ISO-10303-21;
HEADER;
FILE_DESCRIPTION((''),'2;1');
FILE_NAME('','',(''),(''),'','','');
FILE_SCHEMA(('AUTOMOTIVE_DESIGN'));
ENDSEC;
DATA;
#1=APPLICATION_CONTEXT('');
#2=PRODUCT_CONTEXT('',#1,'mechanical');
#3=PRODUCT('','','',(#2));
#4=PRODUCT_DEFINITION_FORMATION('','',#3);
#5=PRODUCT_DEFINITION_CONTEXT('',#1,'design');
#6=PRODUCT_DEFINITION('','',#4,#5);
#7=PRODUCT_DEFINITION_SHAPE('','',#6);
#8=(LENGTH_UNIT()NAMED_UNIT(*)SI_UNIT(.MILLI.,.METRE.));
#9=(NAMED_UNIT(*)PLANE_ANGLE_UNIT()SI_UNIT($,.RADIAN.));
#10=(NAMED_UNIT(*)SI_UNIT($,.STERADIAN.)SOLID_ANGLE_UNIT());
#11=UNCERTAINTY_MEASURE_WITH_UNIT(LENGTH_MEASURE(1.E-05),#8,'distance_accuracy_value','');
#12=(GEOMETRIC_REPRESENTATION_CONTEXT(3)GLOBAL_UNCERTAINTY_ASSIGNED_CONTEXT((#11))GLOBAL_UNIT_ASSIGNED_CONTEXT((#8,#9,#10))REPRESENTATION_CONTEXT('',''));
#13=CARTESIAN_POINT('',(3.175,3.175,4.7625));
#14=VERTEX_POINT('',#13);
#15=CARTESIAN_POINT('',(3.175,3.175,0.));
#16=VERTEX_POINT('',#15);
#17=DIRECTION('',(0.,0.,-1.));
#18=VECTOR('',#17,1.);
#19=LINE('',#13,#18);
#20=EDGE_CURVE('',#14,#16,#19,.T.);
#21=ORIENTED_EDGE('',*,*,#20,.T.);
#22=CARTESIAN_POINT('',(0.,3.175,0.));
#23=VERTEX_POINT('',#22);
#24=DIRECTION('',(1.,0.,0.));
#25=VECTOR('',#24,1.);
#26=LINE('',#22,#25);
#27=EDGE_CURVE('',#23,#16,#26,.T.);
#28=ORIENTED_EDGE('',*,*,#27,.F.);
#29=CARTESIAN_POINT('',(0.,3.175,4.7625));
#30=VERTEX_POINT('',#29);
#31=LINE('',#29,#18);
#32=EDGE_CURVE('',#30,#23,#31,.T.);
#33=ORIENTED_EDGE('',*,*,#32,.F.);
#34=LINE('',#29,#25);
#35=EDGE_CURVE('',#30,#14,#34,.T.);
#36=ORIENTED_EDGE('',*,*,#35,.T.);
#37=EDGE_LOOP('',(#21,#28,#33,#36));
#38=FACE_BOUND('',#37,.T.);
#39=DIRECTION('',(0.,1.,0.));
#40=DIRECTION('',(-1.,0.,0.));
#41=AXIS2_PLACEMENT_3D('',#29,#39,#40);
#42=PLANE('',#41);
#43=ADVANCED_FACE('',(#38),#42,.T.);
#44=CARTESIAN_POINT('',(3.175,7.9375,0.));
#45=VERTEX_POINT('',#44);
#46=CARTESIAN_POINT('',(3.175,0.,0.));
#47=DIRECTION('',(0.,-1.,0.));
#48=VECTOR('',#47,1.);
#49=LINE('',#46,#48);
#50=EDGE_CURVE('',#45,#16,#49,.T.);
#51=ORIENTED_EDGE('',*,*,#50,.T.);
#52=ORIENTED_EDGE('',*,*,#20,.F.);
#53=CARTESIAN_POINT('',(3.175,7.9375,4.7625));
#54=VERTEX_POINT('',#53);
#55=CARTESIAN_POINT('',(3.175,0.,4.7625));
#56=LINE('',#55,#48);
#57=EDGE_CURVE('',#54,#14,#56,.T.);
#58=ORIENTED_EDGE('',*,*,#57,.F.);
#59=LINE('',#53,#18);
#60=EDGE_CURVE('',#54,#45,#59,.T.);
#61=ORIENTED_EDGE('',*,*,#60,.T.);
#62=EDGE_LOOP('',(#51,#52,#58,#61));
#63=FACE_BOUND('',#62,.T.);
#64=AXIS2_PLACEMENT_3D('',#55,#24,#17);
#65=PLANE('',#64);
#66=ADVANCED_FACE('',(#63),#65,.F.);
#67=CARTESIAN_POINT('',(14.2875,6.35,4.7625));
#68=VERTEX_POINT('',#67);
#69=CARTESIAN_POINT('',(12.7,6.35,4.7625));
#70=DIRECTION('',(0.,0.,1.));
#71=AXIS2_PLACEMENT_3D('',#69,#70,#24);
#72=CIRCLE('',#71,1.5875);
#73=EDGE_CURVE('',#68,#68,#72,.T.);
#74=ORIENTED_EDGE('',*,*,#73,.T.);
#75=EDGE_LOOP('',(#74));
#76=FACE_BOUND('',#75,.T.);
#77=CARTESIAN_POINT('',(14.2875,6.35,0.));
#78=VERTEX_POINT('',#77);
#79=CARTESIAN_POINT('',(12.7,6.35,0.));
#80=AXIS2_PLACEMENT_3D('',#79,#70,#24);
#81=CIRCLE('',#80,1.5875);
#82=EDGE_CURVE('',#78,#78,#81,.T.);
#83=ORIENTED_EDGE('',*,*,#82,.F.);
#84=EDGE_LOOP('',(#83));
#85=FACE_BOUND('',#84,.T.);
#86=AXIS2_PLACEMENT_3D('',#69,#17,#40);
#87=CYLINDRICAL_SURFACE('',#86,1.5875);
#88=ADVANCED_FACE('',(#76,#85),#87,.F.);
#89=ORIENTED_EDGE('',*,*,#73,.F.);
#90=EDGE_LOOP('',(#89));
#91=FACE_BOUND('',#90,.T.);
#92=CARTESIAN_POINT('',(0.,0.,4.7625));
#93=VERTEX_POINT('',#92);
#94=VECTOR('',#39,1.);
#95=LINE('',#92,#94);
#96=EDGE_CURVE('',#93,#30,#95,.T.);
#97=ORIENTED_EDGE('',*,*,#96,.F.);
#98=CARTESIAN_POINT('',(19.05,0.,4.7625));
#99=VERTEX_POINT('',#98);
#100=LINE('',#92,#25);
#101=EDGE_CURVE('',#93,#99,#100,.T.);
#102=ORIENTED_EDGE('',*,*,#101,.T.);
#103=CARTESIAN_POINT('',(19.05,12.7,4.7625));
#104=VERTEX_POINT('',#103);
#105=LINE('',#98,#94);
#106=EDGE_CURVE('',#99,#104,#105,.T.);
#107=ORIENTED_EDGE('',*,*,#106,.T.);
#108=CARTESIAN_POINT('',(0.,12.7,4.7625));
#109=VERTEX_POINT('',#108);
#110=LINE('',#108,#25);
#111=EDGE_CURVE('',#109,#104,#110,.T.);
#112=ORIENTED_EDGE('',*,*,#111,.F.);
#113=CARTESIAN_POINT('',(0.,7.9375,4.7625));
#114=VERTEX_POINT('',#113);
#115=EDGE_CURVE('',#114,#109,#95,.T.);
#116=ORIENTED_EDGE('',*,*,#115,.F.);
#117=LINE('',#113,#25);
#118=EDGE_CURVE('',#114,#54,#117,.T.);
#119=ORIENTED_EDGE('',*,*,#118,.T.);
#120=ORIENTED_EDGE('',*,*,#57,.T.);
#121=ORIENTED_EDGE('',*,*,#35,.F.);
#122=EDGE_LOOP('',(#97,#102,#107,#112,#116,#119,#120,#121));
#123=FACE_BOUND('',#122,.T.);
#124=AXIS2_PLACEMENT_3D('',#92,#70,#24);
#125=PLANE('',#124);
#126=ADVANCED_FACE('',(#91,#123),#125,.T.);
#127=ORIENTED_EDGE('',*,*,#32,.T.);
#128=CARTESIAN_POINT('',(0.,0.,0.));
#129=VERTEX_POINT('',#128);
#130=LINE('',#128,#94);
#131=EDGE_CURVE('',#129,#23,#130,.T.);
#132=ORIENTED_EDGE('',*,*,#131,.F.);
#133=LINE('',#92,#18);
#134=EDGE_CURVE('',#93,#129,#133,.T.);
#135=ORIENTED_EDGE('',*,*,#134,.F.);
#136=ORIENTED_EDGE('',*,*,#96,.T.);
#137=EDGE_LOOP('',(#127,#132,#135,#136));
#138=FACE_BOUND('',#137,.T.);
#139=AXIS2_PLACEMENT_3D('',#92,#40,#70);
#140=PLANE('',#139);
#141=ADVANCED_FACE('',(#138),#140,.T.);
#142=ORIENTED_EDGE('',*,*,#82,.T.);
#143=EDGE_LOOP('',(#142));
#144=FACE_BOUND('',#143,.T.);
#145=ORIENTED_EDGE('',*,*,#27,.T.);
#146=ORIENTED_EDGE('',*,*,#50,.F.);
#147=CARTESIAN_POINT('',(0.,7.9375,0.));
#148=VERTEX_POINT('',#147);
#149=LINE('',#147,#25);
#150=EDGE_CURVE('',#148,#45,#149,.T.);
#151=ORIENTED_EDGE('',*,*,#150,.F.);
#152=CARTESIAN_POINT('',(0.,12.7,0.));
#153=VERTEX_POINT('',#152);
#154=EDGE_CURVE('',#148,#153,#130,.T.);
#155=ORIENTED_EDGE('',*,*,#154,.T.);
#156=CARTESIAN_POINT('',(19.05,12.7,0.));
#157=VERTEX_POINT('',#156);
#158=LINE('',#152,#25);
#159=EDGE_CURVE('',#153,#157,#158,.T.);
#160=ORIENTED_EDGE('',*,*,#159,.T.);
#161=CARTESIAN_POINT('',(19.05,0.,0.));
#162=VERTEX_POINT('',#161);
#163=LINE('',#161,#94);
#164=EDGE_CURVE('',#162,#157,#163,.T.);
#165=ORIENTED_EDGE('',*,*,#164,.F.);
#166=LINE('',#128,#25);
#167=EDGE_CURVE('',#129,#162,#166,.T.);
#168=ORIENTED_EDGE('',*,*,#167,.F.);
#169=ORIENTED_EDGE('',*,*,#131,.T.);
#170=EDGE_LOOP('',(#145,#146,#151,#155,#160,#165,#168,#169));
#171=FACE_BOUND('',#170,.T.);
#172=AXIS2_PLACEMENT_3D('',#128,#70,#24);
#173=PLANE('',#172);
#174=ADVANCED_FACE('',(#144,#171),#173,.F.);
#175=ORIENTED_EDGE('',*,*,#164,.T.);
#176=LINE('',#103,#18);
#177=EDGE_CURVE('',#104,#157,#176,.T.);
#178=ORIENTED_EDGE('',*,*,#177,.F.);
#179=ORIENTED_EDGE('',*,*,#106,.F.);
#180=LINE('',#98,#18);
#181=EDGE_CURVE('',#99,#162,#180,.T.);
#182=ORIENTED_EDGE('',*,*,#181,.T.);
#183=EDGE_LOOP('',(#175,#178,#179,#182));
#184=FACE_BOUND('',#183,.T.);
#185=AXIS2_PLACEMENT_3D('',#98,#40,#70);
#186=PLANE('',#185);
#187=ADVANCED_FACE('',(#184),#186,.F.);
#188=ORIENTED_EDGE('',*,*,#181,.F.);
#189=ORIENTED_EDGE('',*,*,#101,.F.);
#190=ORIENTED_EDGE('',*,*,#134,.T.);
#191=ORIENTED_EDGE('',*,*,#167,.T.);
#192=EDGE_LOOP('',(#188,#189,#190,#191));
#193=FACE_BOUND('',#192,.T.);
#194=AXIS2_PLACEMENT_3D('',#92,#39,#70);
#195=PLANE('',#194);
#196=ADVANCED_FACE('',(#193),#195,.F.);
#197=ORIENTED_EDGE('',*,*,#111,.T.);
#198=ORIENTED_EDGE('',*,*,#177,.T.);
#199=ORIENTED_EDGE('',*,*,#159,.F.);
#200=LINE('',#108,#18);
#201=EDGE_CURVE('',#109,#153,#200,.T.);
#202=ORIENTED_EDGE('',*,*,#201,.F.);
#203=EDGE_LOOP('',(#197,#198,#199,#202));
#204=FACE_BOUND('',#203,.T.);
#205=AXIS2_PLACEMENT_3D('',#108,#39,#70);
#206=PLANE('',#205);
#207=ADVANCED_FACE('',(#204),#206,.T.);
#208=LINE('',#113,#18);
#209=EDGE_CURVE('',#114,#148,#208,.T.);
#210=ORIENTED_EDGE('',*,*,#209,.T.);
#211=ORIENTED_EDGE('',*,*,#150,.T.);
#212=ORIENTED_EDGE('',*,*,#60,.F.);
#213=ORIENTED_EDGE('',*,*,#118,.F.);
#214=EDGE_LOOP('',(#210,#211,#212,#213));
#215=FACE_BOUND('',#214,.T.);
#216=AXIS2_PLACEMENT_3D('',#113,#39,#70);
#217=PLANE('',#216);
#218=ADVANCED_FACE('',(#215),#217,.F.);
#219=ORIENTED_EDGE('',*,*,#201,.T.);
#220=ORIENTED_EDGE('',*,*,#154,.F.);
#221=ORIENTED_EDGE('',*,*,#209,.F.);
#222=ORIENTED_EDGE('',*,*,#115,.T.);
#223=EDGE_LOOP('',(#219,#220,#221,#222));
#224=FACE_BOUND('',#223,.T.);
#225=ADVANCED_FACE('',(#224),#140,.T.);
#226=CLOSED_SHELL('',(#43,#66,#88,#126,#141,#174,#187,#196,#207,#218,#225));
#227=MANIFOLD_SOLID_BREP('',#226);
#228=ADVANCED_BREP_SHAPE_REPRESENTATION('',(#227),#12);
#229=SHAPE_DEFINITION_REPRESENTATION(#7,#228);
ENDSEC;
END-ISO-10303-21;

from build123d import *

# Parameters (mm, degrees)
SKETCH1_R           = 1.5875
BOSS_EXTRUDE1_DEPTH = 4.7625


with BuildPart() as part:
    # Sketch1 → Boss-Extrude1 (new body)
    with BuildSketch(Plane.XY):
        Polygon((0, 3.175), (0, 0), (19.05, 0), (19.05, 12.7), (0, 12.7), (0, 7.9375), (3.175, 7.9375), (3.175, 3.175), align=None)
        with Locations((12.7, 6.35)):
            Circle(SKETCH1_R, mode=Mode.SUBTRACT)
    extrude(amount=BOSS_EXTRUDE1_DEPTH)


solid = part.part
